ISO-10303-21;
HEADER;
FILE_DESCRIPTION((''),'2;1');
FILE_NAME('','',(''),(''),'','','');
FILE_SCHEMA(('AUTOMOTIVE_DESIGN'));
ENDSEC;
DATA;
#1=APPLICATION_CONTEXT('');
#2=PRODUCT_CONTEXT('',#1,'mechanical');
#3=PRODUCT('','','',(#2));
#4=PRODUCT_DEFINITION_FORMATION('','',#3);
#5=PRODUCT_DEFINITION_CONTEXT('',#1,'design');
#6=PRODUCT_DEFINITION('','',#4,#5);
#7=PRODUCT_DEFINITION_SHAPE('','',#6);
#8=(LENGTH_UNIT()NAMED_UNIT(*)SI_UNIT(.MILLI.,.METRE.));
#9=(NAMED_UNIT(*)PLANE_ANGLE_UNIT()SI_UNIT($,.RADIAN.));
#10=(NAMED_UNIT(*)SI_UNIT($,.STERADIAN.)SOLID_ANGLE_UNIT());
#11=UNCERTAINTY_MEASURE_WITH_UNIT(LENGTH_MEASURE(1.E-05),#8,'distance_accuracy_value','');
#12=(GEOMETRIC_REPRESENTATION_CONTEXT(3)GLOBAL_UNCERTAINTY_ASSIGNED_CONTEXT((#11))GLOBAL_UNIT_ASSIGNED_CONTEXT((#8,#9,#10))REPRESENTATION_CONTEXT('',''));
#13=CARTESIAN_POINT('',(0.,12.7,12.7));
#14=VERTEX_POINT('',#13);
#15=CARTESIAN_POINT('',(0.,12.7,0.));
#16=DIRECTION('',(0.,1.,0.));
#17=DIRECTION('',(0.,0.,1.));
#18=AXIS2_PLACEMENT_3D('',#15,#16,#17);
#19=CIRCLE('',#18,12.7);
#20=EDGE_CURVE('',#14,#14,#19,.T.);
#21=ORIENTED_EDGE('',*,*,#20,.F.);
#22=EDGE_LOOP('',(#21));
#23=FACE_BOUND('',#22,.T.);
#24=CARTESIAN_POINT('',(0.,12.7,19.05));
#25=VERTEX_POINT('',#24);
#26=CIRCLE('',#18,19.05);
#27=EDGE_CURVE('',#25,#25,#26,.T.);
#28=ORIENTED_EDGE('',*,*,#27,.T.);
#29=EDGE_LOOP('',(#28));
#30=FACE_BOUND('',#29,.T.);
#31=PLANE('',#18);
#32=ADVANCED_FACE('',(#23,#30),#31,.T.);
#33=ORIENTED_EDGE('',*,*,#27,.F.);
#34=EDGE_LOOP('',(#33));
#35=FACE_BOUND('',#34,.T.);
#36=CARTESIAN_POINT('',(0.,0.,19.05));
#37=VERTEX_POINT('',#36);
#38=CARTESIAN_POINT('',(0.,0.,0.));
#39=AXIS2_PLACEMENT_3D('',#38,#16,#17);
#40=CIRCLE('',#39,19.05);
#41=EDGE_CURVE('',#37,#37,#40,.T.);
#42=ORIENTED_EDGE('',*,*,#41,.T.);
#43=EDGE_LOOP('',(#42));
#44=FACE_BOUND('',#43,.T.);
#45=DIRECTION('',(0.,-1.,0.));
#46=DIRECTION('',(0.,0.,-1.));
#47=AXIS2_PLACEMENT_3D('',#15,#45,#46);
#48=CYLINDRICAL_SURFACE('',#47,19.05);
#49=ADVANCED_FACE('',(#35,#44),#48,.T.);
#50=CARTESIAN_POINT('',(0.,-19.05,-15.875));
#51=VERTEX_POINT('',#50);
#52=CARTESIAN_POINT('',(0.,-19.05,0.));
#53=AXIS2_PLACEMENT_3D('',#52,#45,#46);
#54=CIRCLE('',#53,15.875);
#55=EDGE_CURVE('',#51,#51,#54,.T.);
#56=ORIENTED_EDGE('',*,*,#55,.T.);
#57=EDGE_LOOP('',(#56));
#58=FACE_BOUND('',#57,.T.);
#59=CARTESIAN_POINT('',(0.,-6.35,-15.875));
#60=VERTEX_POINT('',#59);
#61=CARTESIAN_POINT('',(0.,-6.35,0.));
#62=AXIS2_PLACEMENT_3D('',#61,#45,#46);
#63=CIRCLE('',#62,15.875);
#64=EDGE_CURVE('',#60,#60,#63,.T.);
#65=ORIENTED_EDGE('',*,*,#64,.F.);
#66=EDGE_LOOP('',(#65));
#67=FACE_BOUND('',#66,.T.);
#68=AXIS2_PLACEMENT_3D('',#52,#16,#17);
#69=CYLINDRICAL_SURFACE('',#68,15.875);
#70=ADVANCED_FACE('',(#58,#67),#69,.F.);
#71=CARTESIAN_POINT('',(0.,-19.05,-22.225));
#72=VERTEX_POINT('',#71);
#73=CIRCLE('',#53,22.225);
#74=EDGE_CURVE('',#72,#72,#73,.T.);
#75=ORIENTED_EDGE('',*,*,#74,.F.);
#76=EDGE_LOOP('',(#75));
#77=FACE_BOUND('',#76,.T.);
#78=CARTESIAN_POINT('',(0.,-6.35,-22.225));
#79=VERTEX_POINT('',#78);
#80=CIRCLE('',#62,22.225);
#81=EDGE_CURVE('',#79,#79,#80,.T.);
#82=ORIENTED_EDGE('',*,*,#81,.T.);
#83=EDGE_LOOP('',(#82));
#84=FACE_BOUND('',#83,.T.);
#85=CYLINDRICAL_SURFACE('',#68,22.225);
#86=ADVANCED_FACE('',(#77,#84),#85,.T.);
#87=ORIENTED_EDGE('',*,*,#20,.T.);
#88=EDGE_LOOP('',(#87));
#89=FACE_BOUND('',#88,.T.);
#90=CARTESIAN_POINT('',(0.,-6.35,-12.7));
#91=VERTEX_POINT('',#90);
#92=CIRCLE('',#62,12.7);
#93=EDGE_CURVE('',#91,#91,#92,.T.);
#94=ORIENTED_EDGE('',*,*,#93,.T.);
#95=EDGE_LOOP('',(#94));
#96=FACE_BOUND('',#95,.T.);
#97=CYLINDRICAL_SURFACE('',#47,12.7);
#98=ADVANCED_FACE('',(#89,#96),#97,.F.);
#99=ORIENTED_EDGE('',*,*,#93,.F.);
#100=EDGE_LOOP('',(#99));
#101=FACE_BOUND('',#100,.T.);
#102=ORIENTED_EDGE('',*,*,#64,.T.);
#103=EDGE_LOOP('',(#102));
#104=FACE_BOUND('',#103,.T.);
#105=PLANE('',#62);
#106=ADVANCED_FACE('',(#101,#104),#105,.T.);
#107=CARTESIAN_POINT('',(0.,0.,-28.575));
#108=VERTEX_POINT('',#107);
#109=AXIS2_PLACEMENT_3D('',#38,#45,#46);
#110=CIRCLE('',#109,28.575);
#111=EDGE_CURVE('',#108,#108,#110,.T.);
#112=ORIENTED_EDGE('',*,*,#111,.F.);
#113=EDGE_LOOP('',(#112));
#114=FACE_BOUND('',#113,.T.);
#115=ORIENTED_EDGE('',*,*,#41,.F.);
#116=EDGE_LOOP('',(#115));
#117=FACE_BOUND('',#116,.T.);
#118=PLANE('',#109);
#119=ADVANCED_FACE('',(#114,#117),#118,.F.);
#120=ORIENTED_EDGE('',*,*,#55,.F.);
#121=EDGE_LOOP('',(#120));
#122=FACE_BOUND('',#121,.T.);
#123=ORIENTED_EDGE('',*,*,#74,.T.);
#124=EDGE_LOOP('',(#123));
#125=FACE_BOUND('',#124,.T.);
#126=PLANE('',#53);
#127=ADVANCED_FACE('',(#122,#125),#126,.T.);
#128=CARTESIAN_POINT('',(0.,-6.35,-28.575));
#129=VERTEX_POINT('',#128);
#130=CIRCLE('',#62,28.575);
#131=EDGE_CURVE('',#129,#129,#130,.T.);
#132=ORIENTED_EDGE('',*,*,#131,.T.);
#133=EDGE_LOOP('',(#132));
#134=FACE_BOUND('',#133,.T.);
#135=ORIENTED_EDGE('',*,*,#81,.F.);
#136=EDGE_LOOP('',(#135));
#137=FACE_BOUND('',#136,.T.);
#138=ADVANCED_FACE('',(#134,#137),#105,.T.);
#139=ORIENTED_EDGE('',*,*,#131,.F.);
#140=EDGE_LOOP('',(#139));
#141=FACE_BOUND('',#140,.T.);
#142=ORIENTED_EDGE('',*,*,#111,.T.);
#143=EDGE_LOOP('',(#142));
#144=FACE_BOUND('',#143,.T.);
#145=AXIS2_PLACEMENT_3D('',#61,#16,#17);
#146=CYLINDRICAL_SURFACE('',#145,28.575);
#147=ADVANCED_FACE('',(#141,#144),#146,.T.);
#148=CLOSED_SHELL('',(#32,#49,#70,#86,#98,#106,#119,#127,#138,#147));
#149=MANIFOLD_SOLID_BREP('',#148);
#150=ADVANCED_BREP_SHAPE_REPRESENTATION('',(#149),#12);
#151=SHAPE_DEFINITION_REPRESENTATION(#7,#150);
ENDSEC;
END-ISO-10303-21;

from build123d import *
from build123d.topology import SkipClean

# Parameters (mm, degrees)
SKETCH1_R    = 19.05
SKETCH1_R_2  = 12.7
TOP_DEPTH    = 12.7
MIDDLE_START = 6.35
SKETCH4_R    = 28.575
SKETCH4_R_2  = 12.7
MIDDLE_DEPTH = 6.35
SKETCH5_R    = 22.225
SKETCH5_R_2  = 15.875
BOTTOM_DEPTH = 12.7


with BuildPart() as part:
    # Sketch1 → Top (new body)
    with BuildSketch(Plane(origin=(0, 0, 0), x_dir=(1, 0, 0), z_dir=(0, 1, 0))):
        with Locations(Location((0, 0, 0), (0, 0, 270))):
            Circle(SKETCH1_R)
        with Locations(Location((0, 0, 0), (0, 0, 270))):
            Circle(SKETCH1_R_2, mode=Mode.SUBTRACT)
    extrude(amount=TOP_DEPTH)

    # Sketch4 → Middle (add)
    with SkipClean():  # the faces are left unmerged after this step: merging them gives an invalid solid
        with BuildSketch(Plane.XZ.offset(MIDDLE_START)):
            with Locations(Location((0, 0, 0), (0, 0, 270))):
                Circle(SKETCH4_R)
            with Locations(Location((0, 0, 0), (0, 0, 270))):
                Circle(SKETCH4_R_2, mode=Mode.SUBTRACT)
        extrude(amount=-MIDDLE_DEPTH)

    # Sketch5 → Bottom (add)
    with SkipClean():  # the faces are left unmerged after this step: merging them gives an invalid solid
        with BuildSketch(Plane.XZ.offset(6.35)):
            with Locations(Location((0, 0, 0), (0, 0, 270))):
                Circle(SKETCH5_R)
            with Locations(Location((0, 0, 0), (0, 0, 270))):
                Circle(SKETCH5_R_2, mode=Mode.SUBTRACT)
        extrude(amount=BOTTOM_DEPTH)


solid = part.part
